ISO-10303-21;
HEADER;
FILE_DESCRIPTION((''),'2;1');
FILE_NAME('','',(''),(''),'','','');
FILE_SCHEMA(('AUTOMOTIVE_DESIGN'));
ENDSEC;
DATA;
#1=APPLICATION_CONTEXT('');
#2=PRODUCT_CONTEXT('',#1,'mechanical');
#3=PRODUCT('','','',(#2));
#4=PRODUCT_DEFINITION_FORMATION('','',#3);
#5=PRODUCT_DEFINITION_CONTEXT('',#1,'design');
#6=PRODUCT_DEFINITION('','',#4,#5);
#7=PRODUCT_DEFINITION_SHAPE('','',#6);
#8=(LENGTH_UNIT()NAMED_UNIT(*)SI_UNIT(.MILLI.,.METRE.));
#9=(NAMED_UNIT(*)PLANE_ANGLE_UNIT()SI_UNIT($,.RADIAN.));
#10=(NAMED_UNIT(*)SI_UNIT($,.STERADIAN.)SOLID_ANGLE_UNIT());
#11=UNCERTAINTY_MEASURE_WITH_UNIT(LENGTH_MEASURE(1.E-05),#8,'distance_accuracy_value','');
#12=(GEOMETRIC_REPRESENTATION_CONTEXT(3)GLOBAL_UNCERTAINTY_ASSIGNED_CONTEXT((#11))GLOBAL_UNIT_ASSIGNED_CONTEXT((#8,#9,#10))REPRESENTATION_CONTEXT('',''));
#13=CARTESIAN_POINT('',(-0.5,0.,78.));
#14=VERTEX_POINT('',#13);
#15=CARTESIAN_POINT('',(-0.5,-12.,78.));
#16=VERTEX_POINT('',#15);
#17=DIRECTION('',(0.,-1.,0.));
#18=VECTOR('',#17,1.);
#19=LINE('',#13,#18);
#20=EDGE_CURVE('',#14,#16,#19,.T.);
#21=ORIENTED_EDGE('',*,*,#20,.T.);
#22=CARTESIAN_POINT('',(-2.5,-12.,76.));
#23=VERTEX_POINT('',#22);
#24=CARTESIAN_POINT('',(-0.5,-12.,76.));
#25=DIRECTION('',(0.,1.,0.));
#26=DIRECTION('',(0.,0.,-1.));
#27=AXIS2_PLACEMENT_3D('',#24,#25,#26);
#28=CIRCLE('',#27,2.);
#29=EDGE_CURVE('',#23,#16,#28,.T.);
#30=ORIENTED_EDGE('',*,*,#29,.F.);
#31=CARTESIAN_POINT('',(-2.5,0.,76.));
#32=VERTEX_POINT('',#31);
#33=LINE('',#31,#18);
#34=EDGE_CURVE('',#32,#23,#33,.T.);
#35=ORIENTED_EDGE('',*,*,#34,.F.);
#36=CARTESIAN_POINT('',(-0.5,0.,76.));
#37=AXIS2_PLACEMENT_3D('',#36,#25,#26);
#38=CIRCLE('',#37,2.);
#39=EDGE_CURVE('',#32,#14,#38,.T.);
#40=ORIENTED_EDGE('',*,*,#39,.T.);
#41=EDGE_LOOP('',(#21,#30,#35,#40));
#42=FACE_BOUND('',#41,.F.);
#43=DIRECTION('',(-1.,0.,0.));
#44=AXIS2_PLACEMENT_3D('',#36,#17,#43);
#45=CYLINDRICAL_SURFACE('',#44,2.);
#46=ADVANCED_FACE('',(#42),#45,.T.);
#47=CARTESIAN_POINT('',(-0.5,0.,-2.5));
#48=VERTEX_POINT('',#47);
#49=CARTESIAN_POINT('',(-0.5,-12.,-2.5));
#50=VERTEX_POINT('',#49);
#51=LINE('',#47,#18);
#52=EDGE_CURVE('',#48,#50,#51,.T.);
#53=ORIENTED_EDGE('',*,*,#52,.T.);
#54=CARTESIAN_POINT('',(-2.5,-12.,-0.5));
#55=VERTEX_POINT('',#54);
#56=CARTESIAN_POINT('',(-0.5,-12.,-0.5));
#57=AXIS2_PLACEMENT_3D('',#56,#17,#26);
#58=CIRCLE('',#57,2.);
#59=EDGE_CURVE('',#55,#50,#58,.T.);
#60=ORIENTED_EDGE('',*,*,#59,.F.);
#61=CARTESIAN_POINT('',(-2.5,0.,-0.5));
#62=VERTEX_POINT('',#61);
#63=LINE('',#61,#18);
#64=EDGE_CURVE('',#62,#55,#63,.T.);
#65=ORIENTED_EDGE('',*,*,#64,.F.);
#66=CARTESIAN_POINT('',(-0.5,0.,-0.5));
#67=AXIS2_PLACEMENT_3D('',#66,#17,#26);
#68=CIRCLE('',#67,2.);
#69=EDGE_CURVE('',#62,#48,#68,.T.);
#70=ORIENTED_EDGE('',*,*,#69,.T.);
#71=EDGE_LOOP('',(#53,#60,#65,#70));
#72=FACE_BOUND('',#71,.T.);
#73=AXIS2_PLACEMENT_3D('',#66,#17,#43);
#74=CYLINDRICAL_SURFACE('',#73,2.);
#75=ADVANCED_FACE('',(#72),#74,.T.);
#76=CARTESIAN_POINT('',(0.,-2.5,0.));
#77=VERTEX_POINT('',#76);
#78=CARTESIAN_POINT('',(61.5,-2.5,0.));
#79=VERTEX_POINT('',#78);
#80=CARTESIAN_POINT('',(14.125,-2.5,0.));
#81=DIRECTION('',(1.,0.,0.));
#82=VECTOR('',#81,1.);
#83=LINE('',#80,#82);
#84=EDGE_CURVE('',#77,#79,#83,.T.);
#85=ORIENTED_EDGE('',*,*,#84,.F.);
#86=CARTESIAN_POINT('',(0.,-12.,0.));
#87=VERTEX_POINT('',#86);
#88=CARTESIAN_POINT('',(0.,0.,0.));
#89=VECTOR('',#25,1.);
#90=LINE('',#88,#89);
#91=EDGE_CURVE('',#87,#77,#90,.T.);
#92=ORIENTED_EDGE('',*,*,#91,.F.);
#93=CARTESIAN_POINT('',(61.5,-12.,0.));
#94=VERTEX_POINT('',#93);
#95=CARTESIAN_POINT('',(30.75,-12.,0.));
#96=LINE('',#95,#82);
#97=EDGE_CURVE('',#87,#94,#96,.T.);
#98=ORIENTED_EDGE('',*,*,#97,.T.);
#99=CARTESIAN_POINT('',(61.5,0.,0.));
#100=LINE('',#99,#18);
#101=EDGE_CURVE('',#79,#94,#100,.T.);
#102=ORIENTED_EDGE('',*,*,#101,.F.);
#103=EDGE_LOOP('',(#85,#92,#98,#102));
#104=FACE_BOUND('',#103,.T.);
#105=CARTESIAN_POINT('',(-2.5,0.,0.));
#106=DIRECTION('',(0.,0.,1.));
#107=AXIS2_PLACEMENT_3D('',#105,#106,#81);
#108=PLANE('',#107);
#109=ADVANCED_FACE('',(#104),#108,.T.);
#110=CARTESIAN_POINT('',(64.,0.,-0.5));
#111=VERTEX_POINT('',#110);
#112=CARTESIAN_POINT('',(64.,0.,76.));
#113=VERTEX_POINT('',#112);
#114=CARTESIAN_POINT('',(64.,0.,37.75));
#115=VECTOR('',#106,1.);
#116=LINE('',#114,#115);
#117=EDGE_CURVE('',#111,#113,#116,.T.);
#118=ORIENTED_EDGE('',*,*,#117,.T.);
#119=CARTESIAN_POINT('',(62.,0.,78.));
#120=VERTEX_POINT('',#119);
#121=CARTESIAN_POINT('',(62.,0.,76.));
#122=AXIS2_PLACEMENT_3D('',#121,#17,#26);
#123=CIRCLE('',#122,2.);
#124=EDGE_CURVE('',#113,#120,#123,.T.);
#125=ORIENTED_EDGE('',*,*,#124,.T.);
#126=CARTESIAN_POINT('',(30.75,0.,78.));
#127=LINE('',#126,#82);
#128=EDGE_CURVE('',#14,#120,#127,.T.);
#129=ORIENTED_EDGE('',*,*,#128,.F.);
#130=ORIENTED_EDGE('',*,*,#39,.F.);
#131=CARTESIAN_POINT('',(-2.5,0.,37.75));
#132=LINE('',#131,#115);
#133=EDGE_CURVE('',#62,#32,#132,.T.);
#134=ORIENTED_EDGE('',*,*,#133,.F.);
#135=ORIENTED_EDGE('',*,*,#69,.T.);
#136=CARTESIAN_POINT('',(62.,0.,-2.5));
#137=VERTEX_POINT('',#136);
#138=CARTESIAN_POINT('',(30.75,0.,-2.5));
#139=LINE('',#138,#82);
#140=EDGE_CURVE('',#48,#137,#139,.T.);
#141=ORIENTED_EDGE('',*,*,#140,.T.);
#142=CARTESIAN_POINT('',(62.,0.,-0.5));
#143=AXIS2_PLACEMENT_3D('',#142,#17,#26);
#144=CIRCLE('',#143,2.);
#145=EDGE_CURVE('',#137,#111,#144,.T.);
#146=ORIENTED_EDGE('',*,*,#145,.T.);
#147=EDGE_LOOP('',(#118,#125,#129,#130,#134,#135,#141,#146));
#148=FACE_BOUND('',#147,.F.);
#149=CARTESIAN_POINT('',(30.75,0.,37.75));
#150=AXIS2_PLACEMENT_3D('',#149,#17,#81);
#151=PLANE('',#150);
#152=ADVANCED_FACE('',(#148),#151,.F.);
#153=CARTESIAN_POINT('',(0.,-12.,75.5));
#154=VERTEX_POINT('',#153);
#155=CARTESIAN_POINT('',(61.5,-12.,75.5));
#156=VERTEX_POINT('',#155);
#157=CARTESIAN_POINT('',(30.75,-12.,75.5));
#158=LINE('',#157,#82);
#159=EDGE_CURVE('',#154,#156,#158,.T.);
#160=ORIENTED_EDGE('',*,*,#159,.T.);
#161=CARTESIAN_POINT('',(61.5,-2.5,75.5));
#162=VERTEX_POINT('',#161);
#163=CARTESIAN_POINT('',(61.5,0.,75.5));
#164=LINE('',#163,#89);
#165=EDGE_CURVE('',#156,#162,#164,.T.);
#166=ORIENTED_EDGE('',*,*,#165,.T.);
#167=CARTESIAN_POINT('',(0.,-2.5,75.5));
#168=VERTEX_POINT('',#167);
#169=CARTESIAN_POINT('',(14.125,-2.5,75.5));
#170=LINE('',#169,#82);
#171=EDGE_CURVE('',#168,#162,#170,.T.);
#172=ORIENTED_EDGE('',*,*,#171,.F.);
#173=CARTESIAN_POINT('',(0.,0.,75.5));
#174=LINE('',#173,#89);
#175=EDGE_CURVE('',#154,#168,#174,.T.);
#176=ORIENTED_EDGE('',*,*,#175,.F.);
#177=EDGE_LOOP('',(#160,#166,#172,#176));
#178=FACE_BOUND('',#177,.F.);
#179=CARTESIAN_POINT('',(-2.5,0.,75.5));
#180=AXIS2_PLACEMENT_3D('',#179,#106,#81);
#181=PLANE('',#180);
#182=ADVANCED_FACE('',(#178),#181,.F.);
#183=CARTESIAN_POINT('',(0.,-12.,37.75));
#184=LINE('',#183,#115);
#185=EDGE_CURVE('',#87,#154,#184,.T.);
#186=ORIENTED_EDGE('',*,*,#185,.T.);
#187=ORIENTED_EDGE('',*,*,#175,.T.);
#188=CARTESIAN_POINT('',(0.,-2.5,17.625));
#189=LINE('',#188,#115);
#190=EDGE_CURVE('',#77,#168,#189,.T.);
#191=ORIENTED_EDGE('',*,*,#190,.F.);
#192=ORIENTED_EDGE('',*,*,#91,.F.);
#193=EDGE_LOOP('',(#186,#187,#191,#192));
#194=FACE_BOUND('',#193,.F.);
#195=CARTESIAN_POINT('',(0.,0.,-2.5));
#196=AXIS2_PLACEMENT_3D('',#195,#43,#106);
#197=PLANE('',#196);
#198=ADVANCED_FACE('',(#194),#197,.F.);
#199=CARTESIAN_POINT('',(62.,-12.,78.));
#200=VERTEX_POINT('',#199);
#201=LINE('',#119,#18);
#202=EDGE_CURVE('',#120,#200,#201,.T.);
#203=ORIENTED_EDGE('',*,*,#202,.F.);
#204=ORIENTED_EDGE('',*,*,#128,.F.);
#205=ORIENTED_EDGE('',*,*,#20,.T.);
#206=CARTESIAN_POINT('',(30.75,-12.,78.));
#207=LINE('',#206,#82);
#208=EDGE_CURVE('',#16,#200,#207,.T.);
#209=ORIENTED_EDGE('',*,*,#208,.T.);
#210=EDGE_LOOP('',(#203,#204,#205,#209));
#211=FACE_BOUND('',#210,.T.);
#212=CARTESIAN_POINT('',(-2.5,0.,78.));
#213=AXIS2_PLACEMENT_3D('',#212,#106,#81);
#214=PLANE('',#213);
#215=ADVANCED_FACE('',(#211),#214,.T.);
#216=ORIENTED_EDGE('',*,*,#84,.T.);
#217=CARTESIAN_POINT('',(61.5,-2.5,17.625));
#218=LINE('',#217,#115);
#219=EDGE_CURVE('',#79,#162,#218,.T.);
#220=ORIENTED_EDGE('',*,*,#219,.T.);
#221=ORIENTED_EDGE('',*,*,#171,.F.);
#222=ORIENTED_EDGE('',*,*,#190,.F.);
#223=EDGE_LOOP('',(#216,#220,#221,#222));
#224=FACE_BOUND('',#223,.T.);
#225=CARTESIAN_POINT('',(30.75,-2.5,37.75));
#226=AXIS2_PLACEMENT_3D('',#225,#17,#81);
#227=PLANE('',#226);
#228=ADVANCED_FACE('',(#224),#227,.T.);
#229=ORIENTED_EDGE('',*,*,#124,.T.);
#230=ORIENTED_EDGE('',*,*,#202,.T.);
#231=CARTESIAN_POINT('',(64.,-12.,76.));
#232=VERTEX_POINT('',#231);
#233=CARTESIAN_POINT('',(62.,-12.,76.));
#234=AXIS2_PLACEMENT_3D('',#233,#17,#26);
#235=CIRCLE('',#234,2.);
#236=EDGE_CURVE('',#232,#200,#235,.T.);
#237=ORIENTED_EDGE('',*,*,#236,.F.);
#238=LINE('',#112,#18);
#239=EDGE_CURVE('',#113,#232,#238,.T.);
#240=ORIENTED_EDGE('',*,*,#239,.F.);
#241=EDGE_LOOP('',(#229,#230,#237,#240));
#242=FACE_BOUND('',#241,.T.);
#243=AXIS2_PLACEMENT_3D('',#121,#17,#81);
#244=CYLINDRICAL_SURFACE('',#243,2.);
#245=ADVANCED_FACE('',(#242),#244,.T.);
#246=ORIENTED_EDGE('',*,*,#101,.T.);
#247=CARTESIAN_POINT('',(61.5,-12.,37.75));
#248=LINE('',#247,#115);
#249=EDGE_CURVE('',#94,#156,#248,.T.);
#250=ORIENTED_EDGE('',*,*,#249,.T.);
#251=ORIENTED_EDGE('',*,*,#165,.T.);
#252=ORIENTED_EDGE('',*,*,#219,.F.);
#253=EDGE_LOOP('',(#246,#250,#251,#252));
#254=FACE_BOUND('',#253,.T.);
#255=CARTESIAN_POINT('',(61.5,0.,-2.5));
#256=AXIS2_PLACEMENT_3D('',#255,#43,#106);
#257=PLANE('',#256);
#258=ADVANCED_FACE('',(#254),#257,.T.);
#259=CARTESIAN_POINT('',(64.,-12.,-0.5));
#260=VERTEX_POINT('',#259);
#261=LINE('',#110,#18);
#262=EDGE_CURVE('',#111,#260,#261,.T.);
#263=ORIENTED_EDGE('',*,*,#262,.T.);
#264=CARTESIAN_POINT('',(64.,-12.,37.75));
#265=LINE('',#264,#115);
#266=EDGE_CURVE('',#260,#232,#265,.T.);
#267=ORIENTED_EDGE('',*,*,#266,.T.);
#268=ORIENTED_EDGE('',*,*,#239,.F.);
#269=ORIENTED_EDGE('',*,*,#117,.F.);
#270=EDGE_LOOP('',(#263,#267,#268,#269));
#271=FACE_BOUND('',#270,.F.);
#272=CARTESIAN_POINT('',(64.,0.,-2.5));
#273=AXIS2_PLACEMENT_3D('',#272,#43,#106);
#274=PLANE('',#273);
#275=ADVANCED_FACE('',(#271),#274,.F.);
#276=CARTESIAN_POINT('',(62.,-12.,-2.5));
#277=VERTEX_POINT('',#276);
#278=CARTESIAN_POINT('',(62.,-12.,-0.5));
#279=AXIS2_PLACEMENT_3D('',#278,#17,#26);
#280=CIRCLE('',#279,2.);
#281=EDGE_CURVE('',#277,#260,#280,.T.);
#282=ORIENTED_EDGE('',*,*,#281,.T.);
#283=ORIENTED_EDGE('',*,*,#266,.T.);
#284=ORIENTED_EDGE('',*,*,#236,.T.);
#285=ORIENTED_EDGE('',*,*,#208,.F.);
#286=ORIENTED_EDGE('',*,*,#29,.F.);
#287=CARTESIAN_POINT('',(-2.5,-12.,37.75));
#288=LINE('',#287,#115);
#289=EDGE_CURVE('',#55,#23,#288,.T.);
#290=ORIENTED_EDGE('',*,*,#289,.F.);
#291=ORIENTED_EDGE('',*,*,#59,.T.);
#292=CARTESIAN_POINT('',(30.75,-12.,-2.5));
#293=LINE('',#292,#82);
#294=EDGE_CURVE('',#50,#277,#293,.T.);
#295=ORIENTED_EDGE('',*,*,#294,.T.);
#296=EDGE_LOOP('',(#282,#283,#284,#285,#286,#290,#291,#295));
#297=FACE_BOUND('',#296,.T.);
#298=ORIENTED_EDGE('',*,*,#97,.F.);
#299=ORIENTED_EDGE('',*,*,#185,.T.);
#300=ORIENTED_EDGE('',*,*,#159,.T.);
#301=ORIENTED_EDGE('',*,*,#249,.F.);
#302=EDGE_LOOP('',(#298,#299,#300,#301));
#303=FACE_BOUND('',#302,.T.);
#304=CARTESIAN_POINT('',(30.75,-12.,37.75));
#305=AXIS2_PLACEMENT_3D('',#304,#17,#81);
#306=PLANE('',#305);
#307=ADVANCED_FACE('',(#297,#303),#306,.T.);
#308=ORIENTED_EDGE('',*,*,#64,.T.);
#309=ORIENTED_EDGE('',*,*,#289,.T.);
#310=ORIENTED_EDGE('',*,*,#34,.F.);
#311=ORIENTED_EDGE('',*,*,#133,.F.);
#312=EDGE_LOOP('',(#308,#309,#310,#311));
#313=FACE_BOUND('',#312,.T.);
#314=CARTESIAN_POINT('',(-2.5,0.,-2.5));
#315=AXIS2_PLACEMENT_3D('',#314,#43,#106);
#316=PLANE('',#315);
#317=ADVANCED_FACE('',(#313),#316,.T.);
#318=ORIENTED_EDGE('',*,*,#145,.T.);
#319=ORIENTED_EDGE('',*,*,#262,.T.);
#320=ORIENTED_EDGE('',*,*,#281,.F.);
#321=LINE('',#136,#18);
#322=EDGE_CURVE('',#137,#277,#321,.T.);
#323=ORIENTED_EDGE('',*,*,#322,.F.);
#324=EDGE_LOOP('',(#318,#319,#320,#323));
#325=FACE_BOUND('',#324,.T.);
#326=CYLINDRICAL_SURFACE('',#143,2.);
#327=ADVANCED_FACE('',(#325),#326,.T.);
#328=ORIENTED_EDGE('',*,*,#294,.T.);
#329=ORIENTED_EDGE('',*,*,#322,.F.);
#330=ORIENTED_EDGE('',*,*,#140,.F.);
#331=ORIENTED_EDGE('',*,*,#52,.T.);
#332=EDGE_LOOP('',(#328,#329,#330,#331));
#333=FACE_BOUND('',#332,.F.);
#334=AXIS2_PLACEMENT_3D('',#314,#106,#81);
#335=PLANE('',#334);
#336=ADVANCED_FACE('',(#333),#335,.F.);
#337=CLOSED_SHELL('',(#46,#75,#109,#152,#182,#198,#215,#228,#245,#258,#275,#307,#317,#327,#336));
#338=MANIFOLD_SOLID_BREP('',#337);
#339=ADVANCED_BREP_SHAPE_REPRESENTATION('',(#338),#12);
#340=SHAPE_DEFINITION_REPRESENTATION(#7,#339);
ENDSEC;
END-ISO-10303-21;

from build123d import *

# Parameters (mm, degrees)
F0_W     = 66.5
F0_H     = 80.5
F1_DEPTH = 12
F2_T     = -2.5
F3_R     = 2


with BuildPart() as f1:
    # F0 (on Front) → F1 (new body)
    with BuildSketch(Plane.XZ):
        with Locations((30.75, 37.75)):
            Rectangle(F0_W, F0_H)
    extrude(amount=F1_DEPTH)

    # F2
    f2_openings = [f1.faces().sort_by_distance(p)[0] for p in [
        (30.75, -12, 37.75),
    ]]
    offset(amount=F2_T, openings=f2_openings)

    # F3
    f3_edges = [f1.edges().sort_by_distance(p)[0] for p in [
        (64, -6, 78),
        (-2.5, -6, 78),
        (64, -6, -2.5),
        (-2.5, -6, -2.5),
    ]]
    fillet(f3_edges, radius=F3_R)


solid = f1.part
